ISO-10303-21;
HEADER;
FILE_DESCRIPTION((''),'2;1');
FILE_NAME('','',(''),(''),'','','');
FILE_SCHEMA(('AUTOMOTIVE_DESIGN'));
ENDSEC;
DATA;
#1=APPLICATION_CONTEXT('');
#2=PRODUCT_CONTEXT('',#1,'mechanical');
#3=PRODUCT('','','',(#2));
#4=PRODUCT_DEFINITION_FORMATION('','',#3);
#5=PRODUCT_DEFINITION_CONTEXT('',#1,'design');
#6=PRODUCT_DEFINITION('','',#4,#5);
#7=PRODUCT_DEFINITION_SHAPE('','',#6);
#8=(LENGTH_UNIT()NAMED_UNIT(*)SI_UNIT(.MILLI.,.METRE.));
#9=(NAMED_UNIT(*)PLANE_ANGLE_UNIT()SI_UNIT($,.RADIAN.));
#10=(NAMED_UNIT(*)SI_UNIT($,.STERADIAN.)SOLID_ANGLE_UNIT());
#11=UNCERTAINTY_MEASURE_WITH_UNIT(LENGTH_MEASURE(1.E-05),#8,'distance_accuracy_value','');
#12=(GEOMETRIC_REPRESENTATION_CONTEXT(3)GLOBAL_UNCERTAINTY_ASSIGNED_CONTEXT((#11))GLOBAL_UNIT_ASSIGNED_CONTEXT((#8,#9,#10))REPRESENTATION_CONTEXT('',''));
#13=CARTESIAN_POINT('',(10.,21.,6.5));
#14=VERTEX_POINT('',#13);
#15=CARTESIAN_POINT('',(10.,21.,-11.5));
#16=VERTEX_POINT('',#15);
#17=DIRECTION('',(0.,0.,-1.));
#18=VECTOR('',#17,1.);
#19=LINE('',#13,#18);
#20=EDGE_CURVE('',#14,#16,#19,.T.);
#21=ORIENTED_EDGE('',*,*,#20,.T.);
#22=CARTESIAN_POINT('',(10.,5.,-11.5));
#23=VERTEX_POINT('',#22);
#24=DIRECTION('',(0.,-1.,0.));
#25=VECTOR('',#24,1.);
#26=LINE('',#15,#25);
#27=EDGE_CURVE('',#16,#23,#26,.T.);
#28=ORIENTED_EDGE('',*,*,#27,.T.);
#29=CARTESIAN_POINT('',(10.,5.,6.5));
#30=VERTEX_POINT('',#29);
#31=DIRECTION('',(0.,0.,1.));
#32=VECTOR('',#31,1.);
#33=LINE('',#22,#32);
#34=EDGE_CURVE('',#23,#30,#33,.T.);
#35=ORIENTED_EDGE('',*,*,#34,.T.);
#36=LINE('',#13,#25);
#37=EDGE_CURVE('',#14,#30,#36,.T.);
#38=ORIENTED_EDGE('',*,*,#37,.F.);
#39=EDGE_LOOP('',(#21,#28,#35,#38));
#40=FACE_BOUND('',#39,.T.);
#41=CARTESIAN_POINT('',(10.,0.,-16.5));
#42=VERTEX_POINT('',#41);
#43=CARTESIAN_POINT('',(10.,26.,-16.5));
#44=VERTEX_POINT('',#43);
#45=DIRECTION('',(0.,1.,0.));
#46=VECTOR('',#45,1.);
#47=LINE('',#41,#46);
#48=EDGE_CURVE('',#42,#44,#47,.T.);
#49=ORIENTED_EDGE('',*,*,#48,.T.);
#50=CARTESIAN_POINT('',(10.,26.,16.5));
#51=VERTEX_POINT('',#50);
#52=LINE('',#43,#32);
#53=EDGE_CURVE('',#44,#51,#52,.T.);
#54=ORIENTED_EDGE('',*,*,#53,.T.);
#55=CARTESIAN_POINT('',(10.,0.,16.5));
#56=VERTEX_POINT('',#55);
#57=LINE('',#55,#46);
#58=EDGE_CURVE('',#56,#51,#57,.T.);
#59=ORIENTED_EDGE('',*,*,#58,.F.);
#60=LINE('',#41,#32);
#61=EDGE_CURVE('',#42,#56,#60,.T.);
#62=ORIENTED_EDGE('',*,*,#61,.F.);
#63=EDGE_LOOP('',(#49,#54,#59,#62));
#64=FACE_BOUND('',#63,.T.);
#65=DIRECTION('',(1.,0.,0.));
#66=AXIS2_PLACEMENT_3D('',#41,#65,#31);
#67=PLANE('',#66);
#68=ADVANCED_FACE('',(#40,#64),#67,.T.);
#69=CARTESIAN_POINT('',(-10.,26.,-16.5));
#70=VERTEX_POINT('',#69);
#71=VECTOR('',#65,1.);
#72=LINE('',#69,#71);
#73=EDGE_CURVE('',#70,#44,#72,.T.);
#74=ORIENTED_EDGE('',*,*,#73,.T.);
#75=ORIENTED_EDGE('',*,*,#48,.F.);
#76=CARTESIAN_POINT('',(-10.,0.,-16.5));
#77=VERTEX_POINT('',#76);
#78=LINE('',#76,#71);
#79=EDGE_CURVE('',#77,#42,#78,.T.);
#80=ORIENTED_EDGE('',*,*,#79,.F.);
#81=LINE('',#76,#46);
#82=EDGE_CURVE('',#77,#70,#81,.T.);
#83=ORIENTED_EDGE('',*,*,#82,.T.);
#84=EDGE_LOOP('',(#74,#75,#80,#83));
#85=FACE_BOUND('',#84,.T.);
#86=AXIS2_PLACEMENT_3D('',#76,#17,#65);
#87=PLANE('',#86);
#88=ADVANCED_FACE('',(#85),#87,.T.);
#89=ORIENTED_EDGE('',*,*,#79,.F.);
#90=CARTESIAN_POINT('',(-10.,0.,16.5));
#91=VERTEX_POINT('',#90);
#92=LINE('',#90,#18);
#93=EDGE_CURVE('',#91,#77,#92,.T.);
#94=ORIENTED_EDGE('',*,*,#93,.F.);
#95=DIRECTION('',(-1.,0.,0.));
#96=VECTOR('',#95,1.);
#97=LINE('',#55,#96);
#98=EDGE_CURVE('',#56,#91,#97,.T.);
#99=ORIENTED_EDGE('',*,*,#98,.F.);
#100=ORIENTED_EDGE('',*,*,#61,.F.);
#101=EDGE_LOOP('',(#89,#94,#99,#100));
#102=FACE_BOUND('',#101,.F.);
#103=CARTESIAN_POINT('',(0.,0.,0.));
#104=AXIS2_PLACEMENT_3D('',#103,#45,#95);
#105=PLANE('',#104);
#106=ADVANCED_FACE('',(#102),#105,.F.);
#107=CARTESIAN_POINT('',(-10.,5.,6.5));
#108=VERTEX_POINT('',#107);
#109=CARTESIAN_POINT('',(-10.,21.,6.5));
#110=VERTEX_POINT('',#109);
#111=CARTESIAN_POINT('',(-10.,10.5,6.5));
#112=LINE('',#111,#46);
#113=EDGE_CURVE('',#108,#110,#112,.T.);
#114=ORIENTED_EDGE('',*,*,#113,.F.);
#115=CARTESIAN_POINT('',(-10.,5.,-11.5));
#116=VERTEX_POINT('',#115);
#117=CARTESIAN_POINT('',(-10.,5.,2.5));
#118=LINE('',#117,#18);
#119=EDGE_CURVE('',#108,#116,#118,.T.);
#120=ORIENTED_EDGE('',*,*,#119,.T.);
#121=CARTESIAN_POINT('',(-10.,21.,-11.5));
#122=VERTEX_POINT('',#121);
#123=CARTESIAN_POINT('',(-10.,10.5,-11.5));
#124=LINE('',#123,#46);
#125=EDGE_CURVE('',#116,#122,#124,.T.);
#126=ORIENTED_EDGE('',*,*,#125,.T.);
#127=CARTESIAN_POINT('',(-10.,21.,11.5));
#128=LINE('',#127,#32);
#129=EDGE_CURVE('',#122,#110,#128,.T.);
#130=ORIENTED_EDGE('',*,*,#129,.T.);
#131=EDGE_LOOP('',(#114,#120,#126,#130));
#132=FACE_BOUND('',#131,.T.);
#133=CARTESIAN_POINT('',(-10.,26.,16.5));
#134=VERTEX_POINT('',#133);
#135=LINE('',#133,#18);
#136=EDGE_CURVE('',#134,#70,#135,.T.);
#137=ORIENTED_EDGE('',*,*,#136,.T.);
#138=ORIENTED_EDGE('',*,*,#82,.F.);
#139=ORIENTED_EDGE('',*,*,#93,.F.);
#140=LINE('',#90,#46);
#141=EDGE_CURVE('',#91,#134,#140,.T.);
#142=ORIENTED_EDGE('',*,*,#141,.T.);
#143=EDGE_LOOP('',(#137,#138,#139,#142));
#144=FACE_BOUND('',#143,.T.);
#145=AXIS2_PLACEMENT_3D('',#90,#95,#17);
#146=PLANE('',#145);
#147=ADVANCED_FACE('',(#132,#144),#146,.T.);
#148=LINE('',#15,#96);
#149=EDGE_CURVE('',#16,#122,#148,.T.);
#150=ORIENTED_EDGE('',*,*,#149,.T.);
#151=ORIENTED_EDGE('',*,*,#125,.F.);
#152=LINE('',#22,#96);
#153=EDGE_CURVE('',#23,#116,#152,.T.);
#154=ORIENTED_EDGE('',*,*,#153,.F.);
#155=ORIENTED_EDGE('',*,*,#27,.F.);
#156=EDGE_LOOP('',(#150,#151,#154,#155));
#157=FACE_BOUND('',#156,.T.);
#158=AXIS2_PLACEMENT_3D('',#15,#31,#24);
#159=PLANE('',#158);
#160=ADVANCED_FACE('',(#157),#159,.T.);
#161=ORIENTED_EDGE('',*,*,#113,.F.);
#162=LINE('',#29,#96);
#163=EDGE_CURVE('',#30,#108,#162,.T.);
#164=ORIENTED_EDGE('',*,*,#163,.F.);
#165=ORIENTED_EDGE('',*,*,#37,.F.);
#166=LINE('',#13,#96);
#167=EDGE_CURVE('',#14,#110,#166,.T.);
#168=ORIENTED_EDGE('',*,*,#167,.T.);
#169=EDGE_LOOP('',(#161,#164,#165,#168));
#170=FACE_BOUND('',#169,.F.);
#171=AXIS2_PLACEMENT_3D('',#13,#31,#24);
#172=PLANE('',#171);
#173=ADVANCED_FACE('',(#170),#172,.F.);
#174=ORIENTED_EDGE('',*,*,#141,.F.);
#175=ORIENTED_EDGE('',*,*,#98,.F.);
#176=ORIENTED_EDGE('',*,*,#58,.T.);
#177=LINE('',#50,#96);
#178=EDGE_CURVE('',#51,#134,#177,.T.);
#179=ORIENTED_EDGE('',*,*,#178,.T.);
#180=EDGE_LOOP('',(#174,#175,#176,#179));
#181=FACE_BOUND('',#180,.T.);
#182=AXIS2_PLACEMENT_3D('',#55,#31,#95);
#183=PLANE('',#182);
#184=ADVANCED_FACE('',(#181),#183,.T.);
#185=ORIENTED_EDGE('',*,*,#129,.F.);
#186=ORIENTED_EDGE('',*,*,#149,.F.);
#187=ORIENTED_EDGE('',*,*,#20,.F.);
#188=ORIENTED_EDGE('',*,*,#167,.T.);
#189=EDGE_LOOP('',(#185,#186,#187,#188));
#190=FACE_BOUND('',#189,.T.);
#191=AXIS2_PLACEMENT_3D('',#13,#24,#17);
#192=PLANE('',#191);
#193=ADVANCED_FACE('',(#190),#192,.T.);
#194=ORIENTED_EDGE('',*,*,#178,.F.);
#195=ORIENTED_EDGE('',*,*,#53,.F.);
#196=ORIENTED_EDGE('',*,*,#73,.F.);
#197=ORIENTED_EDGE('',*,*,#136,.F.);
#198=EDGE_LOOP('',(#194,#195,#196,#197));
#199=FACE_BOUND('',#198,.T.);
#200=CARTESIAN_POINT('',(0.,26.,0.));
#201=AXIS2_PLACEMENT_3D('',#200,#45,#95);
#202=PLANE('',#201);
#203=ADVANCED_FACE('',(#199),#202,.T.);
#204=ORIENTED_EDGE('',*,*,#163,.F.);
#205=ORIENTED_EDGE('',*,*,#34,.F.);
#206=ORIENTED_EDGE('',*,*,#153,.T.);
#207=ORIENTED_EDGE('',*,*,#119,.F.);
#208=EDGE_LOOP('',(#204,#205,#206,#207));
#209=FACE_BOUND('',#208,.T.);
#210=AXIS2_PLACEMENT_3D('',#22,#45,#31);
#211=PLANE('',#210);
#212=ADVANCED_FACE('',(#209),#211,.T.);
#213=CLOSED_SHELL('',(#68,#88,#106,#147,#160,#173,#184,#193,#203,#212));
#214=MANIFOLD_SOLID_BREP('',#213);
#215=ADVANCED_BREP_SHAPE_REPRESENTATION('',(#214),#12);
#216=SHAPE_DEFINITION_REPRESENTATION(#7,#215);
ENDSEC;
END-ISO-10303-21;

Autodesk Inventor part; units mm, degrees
ref_plane "YZ Plane" through (0, 0, 0) normal (1, 0, 0) x (0, 1, 0)
ref_plane "XZ Plane" through (0, 0, 0) normal (0, 1, 0) x (-1, 0, 0)
ref_plane "XY Plane" through (0, 0, 0) normal (0, 0, 1) x (1, 0, 0)
sketch "Sketch1" plane through (0, 0, 0) normal (0, 1, 0) x (-1, 0, 0)
  line L0 (-10, 16.5) -> (10, 16.5)
  line L1 (10, 16.5) -> (10, -16.5)
  line L2 (10, -16.5) -> (-10, -16.5)
  line L3 (-10, -16.5) -> (-10, 16.5)
  line L4 (-10, 16.5) -> (10, -16.5) construction
  line L5 (10, 16.5) -> (-10, -16.5) construction
  point P0 (0, 0)
  dimension "d0" = 20
  dimension "d1" = 33
extrude "Extrusion1" add sketch "Sketch1" along normal blind 26
sketch "Sketch2" plane through (10, 0, 16.5) normal (1, 0, 0) x (0, 0, -1)
  line L0 (0, 26) -> (33, 26) projected
  line L1 (0, 26) -> (0, 21)
  line L2 (0, 0) -> (0, 26) projected
  line L3 (10, 21) -> (28, 21)
  line L4 (33, 0) -> (33, 26) projected
  line L5 (33, 26) -> (28, 26)
  line L6 (28, 21) -> (28, 5)
  line L7 (33, 0) -> (0, 0) projected
  line L8 (33, 0) -> (33, 5)
  line L9 (28, 5) -> (10, 5)
  line L10 (0, 26) -> (10, 26)
  line L11 (10, 21) -> (10, 5)
  point P0 (16.5, 0)
  dimension "d4" = 5
  dimension "d5" = 5
  dimension "d6" = 5
  dimension "d7" = 10
extrude "Extrusion2" cut sketch "Sketch2" against normal blind 26 contours L3 L6 L9 L11
properties part number "Syring Mount"
